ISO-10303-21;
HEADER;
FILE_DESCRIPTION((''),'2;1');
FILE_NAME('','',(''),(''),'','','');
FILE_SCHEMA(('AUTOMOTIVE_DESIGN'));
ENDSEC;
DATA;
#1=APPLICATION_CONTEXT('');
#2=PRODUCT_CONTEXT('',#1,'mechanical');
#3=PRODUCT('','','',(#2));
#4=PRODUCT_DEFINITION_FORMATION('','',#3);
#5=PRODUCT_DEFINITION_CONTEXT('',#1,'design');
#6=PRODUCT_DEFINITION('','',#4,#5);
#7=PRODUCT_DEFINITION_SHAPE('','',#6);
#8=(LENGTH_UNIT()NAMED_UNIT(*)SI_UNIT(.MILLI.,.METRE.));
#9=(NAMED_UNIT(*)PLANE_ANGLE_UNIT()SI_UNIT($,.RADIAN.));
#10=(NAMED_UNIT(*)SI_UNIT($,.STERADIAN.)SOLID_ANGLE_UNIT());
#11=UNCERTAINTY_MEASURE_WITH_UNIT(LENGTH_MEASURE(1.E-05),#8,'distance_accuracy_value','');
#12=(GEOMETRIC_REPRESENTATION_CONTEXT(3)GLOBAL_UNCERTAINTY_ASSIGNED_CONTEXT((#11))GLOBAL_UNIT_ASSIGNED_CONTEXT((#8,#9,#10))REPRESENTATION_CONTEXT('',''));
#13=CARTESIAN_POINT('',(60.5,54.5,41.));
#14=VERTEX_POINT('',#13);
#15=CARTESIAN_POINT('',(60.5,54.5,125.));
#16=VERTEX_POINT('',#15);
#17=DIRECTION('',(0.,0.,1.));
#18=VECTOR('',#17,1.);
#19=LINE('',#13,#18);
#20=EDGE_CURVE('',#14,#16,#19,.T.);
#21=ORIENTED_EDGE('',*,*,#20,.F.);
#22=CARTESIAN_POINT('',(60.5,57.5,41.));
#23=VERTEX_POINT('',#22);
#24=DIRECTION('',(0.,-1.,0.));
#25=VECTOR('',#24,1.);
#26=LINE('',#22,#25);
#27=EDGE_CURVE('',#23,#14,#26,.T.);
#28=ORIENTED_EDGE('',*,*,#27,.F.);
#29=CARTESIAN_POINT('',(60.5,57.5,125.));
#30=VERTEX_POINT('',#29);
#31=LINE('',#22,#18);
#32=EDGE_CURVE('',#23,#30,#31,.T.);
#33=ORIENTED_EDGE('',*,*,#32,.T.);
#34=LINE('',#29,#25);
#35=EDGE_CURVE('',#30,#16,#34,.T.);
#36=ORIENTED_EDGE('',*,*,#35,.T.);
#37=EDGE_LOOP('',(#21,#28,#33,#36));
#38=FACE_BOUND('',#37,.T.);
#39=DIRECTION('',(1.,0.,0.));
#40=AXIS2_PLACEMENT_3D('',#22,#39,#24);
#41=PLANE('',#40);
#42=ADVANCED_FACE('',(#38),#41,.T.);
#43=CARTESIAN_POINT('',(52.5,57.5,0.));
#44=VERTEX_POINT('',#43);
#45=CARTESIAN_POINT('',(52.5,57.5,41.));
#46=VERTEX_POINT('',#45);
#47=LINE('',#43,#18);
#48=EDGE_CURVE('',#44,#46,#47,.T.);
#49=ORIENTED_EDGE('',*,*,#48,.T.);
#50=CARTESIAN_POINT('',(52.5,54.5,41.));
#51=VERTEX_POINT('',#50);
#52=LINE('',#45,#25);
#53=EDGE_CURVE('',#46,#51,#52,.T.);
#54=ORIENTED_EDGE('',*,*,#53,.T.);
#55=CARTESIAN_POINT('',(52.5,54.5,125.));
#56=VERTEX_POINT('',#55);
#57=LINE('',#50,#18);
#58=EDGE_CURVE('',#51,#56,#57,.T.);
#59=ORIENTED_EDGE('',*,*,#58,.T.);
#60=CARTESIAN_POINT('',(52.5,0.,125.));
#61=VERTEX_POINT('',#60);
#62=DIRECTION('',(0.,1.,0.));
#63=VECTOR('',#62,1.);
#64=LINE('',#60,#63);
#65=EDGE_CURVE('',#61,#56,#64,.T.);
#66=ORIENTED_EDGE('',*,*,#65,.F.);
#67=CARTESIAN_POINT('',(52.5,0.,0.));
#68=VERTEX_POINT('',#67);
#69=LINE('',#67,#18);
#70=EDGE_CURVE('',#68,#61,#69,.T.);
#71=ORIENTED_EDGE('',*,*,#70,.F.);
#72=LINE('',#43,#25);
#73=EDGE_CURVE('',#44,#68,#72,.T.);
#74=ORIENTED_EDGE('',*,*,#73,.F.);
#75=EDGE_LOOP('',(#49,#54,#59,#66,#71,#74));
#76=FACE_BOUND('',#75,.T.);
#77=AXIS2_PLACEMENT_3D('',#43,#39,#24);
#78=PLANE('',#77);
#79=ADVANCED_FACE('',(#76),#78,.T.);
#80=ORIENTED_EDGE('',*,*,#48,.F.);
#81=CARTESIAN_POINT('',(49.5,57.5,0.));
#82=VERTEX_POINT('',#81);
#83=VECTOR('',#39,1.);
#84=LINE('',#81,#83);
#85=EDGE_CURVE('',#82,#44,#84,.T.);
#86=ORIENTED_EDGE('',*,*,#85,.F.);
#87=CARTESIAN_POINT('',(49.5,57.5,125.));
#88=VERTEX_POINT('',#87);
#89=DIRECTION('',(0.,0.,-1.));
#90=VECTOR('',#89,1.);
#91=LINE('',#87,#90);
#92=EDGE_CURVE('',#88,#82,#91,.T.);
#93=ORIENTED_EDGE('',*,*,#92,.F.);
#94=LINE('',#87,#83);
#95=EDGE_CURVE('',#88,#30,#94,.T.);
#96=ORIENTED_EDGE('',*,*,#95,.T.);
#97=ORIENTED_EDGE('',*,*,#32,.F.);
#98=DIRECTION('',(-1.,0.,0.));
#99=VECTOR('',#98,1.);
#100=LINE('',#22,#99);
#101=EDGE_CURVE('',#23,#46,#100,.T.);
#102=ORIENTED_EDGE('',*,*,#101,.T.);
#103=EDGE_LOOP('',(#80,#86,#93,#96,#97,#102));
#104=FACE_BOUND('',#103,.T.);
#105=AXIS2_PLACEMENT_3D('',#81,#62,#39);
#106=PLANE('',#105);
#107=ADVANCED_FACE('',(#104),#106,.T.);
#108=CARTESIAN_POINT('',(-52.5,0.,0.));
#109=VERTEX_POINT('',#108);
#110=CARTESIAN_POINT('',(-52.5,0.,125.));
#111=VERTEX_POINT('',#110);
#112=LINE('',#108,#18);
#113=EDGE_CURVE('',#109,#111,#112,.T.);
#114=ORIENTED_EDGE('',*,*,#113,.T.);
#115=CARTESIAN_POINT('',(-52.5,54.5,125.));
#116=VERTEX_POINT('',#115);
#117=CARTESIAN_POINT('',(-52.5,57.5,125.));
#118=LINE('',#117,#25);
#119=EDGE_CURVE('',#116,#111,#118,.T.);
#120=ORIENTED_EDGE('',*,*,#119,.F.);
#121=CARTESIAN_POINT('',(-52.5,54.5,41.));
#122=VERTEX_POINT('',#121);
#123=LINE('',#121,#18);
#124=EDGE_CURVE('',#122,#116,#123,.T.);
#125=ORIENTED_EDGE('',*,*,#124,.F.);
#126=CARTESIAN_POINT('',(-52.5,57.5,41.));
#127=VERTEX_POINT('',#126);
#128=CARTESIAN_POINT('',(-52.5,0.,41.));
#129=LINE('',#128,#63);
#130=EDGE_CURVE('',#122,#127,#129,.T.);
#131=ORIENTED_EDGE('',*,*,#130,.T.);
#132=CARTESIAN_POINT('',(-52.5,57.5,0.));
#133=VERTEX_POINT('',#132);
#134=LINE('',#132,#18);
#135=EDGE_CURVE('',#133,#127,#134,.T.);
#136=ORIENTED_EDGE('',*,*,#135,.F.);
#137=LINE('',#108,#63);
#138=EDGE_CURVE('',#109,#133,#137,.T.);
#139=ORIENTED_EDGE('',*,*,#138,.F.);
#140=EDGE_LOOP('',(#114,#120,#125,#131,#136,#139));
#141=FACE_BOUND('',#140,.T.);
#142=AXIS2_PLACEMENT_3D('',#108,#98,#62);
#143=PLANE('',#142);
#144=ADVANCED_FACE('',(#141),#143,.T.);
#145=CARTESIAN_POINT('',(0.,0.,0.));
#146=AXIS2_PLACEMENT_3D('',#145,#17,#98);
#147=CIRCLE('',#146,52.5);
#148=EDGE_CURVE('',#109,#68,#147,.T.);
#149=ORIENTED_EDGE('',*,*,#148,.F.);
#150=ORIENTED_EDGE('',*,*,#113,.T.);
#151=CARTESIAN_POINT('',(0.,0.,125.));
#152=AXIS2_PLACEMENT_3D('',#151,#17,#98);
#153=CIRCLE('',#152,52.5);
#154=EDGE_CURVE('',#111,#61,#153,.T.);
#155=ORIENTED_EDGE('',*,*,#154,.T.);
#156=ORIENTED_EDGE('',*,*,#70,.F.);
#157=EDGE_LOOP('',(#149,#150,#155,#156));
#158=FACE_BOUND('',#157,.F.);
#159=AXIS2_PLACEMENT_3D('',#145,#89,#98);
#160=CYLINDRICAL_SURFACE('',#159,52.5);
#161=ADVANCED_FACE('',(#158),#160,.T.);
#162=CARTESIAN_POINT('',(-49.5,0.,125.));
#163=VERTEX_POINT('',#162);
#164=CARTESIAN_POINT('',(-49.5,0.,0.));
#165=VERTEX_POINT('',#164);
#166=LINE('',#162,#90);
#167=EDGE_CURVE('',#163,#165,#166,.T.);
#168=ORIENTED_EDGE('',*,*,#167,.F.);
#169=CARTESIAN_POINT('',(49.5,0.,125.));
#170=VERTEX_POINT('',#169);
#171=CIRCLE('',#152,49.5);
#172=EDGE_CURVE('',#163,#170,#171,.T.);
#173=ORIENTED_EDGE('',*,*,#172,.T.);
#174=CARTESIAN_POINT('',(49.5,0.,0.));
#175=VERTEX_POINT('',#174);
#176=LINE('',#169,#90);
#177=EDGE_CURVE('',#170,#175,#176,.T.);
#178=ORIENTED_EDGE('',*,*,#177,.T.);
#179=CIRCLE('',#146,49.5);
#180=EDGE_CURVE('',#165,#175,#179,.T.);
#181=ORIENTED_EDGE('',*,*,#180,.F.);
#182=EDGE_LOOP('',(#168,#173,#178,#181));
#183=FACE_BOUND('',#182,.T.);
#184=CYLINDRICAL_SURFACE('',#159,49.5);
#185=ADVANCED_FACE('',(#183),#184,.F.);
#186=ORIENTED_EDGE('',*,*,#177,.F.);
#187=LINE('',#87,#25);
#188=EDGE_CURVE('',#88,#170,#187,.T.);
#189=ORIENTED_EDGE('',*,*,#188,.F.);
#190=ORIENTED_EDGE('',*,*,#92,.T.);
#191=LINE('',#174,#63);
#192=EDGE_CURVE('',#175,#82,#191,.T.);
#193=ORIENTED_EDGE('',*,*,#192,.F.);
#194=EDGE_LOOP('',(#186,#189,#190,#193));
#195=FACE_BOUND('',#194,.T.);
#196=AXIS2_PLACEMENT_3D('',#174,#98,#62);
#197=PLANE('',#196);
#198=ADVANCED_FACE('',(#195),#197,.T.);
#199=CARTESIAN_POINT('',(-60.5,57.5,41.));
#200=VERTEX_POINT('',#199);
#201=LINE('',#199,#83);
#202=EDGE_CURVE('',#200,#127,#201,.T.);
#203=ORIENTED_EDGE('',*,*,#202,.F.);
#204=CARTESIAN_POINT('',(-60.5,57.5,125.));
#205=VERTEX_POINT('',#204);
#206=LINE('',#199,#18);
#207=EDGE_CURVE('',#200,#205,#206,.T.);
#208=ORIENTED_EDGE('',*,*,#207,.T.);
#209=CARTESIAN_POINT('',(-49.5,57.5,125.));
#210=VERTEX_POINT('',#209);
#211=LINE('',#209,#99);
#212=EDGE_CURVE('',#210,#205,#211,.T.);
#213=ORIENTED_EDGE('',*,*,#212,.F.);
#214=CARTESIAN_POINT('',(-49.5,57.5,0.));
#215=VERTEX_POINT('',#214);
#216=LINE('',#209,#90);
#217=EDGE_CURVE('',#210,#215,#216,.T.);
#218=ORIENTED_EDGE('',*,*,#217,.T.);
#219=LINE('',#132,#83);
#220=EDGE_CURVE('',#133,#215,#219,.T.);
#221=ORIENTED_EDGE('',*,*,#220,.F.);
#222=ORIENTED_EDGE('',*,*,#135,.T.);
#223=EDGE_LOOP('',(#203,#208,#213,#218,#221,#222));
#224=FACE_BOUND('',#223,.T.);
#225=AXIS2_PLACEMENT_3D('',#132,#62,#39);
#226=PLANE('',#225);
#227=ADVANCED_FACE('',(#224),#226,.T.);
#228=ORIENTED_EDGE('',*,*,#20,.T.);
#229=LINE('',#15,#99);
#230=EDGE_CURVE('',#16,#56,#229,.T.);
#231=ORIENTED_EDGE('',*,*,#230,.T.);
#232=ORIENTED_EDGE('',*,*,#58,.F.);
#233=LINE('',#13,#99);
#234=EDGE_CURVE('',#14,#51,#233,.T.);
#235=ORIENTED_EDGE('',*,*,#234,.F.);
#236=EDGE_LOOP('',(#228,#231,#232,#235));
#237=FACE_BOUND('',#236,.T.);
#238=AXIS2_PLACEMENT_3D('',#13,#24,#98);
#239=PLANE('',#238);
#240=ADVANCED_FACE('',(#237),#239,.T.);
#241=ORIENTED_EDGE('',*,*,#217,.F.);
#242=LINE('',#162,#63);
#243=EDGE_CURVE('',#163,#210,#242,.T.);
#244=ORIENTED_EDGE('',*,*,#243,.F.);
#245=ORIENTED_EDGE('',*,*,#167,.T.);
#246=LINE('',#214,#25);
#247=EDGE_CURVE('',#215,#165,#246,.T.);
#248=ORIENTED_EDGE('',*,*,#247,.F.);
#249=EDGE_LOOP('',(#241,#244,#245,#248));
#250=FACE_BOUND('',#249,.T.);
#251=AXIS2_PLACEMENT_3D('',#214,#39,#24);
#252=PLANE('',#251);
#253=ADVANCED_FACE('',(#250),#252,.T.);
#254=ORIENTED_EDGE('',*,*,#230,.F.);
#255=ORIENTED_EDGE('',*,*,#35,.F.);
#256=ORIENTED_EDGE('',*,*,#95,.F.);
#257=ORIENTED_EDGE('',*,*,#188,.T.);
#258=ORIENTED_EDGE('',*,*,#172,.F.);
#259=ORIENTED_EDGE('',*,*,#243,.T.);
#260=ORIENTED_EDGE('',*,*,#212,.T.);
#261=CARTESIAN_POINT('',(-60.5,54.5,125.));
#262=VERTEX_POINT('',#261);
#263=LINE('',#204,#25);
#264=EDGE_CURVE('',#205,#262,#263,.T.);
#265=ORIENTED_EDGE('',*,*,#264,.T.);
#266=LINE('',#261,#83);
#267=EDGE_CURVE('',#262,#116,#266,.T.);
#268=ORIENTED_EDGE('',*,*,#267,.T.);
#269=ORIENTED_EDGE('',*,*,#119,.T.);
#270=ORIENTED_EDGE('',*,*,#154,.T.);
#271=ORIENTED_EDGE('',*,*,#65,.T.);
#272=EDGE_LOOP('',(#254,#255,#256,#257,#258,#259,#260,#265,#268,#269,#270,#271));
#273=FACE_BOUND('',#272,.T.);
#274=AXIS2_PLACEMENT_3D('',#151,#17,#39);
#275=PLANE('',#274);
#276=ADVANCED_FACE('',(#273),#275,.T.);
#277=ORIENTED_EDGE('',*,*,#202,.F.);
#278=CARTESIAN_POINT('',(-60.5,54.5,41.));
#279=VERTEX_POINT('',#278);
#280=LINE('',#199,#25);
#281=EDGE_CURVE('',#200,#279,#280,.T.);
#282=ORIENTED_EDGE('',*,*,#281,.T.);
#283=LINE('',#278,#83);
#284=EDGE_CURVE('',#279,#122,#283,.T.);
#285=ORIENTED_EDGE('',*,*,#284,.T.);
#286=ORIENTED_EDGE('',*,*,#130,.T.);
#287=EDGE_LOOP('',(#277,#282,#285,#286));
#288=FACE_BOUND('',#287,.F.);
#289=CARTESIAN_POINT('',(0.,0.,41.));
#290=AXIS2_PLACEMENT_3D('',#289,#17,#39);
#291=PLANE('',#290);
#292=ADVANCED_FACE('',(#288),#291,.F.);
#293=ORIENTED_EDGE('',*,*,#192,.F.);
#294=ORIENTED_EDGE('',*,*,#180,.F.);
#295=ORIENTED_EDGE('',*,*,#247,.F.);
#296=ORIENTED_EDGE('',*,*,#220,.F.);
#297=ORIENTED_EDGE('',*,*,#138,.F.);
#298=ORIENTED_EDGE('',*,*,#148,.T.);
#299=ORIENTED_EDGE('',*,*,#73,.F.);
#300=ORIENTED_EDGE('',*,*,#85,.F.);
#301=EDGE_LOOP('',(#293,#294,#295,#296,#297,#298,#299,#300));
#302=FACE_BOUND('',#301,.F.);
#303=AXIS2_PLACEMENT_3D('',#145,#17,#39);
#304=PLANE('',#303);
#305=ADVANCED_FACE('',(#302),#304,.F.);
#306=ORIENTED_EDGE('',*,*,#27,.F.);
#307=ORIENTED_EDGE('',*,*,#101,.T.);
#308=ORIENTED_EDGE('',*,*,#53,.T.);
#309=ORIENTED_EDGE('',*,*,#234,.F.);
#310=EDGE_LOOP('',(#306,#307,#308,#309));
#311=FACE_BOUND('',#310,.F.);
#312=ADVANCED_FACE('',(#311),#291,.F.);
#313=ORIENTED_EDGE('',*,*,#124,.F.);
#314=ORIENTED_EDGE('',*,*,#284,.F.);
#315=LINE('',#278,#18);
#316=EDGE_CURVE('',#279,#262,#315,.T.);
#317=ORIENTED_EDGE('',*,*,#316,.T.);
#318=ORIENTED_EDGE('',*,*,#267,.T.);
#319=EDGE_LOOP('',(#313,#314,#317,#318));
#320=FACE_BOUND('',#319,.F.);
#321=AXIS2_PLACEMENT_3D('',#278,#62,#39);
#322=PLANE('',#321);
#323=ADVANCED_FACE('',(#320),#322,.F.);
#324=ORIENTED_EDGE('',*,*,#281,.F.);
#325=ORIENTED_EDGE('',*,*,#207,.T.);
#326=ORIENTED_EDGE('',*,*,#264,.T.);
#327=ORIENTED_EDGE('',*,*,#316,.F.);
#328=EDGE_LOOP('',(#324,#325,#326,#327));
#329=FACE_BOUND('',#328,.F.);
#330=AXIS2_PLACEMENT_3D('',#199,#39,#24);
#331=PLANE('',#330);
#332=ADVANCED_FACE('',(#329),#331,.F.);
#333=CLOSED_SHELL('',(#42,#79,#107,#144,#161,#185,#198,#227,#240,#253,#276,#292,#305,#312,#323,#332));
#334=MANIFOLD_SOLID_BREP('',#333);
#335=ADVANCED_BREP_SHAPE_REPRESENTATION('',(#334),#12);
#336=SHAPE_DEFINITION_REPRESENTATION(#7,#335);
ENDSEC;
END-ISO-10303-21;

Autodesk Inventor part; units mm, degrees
ref_plane "YZ Plane" through (0, 0, 0) normal (1, 0, 0) x (0, 1, 0)
ref_plane "XZ Plane" through (0, 0, 0) normal (0, 1, 0) x (-1, 0, 0)
ref_plane "XY Plane" through (0, 0, 0) normal (0, 0, 1) x (1, 0, 0)
sketch "Boceto1" plane through (0, 0, 0) normal (0, 0, 1) x (1, 0, 0)
  arc A0 (-52.5, 0) -> (52.5, 0) centre (0, 0) ccw
  line L0 (-52.5, 0) -> (-52.5, 57.5)
  line L1 (-52.5, 57.5) -> (-49.5, 57.5)
  line L2 (52.5, 57.5) -> (52.5, 0)
  arc A1 (52.5, 0) -> (-52.5, 0) centre (0, 0) ccw construction
  line L3 (0, -52.5) -> (0, 57.5) construction
  line L4 (-49.5, 57.5) -> (-49.5, 0)
  arc A2 (-49.5, 0) -> (49.5, 0) centre (0, 0) ccw
  line L5 (49.5, 0) -> (49.5, 57.5)
  line L6 (49.5, 57.5) -> (-49.5, 57.5) construction
  line L7 (49.5, 57.5) -> (49.5, 57.5)
  line L8 (-49.5, 57.5) -> (-49.5, 57.5)
  line L9 (-49.5, 57.5) -> (0, 57.5) construction
  line L10 (0, 57.5) -> (49.5, 57.5) construction
  line L11 (49.5, 57.5) -> (52.5, 57.5)
  dimension "d0" = 105
  dimension "d2" = 110
  dimension "d3" = 3
extrude "Extrusión1" add sketch "Boceto1" along normal blind 41
sketch "Boceto2" plane through (0, 0, 41) normal (0, 0, 1) x (1, 0, 0)
  line L0 (49.5, 57.5) -> (49.5, 0) projected
  arc A0 (-49.5, 0) -> (49.5, 0) centre (0, 0) ccw projected
  line L1 (-49.5, 0) -> (-49.5, 57.5) projected
  line L2 (-49.5, 57.5) -> (-52.5, 57.5) projected
  line L3 (-52.5, 57.5) -> (-52.5, 0) projected
  arc A1 (-52.5, 0) -> (52.5, 0) centre (0, 0) ccw projected
  line L4 (52.5, 0) -> (52.5, 57.5) projected
  line L5 (52.5, 57.5) -> (49.5, 57.5) projected
  line L6 (-49.5, 57.5) -> (-52.5, 57.5) projected
  line L7 (-52.5, 57.5) -> (-60.5, 57.5)
  line L8 (-60.5, 57.5) -> (-60.5, 54.5)
  line L9 (-60.5, 54.5) -> (-52.5, 54.5)
  line L10 (-52.5, 54.5) -> (-52.5, 57.5)
  line L11 (52.5, 57.5) -> (49.5, 57.5) projected
  line L12 (52.5, 57.5) -> (60.5, 57.5)
  line L13 (60.5, 57.5) -> (60.5, 54.5)
  line L14 (60.5, 54.5) -> (52.5, 54.5)
  line L15 (52.5, 54.5) -> (52.5, 57.5)
  dimension "d6" = 8
  dimension "d7" = 3
  dimension "d8" = 8
  dimension "d9" = 3
extrude "Extrusión2" add sketch "Boceto2" along normal blind 84
properties part number "_3DPrint"
